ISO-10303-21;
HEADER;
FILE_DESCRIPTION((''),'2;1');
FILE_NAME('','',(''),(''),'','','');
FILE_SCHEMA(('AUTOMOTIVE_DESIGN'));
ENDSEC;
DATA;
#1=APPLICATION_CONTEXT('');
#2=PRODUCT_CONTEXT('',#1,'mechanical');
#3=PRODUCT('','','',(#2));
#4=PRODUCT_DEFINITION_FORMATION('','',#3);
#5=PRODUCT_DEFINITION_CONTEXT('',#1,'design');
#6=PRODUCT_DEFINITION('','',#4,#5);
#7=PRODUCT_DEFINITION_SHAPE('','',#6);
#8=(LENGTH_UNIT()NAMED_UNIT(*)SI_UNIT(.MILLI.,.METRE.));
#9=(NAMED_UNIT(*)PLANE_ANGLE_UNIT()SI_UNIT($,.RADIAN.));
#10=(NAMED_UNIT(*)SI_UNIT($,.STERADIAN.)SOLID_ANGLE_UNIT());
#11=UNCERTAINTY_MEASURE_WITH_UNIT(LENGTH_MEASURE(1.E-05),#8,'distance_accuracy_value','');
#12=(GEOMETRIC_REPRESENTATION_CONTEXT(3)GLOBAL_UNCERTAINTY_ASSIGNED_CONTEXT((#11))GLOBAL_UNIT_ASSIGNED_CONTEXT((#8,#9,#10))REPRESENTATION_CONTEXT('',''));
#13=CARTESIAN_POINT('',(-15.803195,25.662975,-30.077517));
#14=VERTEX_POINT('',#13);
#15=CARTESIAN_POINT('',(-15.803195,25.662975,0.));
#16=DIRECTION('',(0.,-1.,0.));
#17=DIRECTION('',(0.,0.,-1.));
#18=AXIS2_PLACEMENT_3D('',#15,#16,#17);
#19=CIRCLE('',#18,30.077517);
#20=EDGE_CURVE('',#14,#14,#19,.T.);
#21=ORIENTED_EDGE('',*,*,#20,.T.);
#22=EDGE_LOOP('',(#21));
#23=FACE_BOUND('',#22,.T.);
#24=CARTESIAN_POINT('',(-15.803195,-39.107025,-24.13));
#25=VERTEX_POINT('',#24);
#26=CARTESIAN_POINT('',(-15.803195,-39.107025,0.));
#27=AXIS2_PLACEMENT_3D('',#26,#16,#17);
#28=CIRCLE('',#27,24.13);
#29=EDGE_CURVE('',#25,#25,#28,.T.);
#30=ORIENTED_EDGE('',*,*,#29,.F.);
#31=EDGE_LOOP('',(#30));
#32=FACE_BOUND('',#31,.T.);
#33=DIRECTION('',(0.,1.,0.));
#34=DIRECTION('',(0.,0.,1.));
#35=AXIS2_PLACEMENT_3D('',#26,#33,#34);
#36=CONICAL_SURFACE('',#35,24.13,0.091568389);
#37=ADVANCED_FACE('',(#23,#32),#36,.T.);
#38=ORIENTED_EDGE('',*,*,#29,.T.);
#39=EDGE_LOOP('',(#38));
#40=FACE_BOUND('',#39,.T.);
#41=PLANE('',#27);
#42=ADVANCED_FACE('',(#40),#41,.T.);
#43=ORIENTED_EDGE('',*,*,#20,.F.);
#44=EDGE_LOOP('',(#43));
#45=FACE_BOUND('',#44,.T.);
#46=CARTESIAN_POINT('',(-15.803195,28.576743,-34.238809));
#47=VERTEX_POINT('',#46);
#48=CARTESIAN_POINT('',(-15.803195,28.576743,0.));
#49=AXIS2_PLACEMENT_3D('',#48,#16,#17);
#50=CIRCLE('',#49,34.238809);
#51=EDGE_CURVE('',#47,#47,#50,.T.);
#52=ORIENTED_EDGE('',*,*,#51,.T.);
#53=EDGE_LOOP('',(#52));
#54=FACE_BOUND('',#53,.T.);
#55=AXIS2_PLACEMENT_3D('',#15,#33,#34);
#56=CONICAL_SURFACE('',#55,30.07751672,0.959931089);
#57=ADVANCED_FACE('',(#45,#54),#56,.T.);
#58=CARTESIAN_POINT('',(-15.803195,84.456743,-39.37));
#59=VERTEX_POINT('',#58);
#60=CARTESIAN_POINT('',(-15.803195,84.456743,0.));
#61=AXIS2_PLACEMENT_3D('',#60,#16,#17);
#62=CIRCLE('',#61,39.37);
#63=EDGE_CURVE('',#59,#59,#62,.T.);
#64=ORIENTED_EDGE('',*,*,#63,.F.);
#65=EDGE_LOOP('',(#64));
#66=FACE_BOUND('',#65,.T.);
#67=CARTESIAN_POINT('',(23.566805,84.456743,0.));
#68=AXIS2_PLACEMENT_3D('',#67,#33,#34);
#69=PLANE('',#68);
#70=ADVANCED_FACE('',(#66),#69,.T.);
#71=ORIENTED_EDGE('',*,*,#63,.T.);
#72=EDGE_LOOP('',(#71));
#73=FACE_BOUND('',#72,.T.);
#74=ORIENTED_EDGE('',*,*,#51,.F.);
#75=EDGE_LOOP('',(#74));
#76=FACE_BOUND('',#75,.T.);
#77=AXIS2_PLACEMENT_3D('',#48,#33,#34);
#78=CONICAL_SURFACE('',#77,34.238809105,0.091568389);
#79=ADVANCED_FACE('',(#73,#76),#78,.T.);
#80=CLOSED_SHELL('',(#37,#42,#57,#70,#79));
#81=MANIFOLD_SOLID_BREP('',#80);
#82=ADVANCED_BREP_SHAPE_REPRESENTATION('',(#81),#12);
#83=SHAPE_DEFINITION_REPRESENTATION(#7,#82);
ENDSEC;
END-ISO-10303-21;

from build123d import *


with BuildPart() as part:
    # Sketch1 → Revolve1 (revolve)
    with BuildSketch(Plane.XY, mode=Mode.PRIVATE) as revolve1_sk:
        Polygon((-15.803195418, -39.107024929), (8.326804582, -39.107024929), (14.274321302, 25.662975071), (18.435613687, 28.576743367), (23.566804582, 84.456743367), (-15.803195418, 84.456743367), align=None)
    revolve(revolve1_sk.sketch.rotate(Axis((-15.803195418, -39.107024929, 0), (0, 1, 0)), 90), axis=Axis((-15.803195418, -39.107024929, 0), (0, 1, 0)))


solid = part.part
